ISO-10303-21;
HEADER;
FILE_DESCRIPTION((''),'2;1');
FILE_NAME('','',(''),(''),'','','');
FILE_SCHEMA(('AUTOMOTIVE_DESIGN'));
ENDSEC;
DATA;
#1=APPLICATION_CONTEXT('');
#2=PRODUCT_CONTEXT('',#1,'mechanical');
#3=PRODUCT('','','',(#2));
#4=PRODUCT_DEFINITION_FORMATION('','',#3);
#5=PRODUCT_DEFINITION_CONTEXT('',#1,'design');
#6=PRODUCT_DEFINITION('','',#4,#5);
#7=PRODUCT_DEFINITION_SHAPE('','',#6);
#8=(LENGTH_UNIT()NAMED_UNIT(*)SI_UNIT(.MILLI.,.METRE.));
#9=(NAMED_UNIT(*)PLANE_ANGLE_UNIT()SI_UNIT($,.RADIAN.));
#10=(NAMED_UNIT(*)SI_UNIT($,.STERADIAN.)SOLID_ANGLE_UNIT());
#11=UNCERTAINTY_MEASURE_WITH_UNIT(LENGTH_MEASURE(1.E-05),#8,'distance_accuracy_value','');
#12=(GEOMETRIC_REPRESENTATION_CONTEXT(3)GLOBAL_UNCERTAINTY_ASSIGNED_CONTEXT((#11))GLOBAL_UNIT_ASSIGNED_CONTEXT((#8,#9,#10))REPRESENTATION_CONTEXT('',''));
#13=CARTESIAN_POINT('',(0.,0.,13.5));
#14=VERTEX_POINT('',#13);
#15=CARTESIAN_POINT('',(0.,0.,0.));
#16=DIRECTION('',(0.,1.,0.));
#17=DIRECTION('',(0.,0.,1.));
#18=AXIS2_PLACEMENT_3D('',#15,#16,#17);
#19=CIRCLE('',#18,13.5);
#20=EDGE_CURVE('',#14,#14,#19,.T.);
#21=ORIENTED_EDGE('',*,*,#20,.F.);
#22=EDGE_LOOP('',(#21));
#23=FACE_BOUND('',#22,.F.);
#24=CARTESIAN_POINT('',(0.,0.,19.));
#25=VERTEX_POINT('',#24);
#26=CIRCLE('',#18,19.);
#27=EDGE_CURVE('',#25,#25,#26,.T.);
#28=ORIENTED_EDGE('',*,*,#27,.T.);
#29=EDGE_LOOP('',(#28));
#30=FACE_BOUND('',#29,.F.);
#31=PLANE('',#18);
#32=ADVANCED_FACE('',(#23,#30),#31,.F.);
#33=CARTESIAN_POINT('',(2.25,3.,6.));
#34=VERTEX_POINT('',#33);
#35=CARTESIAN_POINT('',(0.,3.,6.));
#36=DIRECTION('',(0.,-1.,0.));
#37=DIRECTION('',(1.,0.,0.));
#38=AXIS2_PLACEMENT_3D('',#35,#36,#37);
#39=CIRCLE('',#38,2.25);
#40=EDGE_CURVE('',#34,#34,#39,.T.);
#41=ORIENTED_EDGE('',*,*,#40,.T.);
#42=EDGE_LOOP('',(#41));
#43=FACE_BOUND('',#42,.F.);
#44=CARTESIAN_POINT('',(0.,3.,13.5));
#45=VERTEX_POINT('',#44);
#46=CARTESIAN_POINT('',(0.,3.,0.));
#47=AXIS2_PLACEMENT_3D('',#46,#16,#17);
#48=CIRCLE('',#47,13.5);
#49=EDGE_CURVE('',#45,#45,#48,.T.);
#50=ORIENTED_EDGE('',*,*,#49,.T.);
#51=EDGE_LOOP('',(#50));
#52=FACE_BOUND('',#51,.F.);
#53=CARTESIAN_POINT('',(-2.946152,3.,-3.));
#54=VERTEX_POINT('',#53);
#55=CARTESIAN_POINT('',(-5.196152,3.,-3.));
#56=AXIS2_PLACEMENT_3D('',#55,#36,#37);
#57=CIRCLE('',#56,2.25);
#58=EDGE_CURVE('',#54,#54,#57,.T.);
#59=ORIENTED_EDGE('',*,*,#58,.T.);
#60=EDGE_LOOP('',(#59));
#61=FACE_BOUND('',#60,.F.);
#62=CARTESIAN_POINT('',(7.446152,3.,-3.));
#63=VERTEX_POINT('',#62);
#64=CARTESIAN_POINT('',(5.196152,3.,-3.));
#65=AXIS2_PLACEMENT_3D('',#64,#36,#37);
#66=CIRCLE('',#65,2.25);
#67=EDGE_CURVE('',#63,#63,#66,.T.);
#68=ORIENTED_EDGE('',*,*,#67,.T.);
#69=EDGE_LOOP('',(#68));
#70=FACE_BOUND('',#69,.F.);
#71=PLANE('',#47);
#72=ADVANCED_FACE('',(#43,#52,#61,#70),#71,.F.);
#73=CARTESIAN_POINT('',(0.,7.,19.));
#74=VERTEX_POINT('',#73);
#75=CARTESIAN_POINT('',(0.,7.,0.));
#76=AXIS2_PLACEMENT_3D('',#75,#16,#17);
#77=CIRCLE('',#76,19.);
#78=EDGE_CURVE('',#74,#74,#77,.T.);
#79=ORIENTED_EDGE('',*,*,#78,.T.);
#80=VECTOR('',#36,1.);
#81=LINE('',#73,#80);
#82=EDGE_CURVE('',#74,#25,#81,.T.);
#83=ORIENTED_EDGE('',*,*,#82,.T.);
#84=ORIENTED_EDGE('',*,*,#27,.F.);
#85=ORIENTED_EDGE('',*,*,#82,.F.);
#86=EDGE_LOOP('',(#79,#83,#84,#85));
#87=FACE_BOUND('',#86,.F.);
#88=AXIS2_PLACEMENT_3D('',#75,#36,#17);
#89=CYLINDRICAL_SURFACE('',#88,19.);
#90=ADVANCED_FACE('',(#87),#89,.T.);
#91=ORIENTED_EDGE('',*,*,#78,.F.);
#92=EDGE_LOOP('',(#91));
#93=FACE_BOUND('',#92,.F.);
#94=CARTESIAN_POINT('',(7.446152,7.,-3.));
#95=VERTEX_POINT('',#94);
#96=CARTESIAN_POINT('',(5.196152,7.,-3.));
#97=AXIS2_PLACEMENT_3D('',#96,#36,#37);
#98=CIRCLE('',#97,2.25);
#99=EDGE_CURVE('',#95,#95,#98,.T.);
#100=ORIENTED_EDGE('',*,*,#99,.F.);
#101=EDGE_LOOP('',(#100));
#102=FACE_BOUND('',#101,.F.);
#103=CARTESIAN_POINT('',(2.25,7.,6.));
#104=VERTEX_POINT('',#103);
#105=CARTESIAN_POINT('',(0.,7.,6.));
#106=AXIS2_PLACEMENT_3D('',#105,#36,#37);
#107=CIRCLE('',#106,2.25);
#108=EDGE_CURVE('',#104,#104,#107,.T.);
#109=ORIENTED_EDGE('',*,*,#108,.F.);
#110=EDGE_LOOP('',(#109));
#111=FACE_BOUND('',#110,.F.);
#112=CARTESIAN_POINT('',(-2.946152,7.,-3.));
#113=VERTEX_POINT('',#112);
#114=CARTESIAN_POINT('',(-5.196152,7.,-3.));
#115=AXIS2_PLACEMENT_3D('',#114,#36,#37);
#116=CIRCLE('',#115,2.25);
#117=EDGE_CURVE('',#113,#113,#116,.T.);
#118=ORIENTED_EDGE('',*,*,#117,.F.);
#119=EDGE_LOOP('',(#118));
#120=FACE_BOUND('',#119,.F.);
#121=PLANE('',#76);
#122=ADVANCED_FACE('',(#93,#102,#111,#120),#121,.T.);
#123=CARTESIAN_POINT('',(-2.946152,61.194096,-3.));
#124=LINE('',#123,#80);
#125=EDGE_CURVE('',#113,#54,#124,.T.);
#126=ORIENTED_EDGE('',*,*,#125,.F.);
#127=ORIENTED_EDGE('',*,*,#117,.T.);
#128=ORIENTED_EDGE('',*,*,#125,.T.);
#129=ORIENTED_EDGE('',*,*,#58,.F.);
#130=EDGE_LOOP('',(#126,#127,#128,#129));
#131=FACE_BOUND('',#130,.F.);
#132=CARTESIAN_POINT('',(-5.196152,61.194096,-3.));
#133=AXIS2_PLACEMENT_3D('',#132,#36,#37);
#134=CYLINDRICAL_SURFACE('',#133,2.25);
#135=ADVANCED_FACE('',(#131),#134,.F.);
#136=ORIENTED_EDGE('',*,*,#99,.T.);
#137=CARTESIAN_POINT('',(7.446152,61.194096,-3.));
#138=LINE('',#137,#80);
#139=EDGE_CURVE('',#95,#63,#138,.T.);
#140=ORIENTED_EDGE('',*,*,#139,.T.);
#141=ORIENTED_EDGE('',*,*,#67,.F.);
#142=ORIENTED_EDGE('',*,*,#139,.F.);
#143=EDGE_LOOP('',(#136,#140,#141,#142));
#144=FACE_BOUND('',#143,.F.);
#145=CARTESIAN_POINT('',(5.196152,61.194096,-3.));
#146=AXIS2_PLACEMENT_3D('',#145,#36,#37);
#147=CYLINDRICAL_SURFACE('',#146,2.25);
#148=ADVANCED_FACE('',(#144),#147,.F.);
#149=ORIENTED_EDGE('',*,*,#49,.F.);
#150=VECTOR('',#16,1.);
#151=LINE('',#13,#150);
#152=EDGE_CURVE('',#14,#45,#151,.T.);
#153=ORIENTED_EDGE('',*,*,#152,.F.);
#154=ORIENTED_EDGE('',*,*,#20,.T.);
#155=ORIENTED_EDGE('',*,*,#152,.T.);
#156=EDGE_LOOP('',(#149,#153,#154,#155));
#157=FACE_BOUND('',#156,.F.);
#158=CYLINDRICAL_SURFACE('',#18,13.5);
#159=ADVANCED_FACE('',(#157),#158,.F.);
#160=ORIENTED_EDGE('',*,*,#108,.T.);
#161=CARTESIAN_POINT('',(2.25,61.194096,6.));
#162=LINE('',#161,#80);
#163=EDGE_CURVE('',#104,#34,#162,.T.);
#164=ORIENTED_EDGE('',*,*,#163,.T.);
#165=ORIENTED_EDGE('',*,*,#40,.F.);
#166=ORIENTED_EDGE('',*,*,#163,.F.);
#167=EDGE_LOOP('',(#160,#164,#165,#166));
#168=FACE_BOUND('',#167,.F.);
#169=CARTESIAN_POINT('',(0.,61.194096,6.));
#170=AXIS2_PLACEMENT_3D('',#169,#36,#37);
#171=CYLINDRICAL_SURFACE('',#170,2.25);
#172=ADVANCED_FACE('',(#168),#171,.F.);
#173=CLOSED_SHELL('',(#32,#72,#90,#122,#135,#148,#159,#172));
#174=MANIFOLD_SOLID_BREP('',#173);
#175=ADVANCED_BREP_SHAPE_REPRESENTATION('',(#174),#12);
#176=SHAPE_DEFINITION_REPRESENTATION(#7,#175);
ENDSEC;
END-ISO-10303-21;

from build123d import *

# Parameters (mm, degrees)
F3_D = 4.5


with BuildPart() as f1:
    # F0 (on Right) → F1 (revolve)
    with BuildSketch(Plane.YZ):
        Polygon((7, 19), (0, 19), (0, 13.5), (3, 13.5), (3, 0), (7, 0), align=None)
    revolve(axis=Axis((0, 5, 0), (0, 1, 0)))

    # F3 (through all)
    with Locations(Plane(origin=(0, 7, 0), x_dir=(-1, 0, 0), z_dir=(0, 1, 0))):
        with Locations((0, 6), (-5.196152, -3), (5.196152, -3)):
            Hole(F3_D / 2)


solid = f1.part
